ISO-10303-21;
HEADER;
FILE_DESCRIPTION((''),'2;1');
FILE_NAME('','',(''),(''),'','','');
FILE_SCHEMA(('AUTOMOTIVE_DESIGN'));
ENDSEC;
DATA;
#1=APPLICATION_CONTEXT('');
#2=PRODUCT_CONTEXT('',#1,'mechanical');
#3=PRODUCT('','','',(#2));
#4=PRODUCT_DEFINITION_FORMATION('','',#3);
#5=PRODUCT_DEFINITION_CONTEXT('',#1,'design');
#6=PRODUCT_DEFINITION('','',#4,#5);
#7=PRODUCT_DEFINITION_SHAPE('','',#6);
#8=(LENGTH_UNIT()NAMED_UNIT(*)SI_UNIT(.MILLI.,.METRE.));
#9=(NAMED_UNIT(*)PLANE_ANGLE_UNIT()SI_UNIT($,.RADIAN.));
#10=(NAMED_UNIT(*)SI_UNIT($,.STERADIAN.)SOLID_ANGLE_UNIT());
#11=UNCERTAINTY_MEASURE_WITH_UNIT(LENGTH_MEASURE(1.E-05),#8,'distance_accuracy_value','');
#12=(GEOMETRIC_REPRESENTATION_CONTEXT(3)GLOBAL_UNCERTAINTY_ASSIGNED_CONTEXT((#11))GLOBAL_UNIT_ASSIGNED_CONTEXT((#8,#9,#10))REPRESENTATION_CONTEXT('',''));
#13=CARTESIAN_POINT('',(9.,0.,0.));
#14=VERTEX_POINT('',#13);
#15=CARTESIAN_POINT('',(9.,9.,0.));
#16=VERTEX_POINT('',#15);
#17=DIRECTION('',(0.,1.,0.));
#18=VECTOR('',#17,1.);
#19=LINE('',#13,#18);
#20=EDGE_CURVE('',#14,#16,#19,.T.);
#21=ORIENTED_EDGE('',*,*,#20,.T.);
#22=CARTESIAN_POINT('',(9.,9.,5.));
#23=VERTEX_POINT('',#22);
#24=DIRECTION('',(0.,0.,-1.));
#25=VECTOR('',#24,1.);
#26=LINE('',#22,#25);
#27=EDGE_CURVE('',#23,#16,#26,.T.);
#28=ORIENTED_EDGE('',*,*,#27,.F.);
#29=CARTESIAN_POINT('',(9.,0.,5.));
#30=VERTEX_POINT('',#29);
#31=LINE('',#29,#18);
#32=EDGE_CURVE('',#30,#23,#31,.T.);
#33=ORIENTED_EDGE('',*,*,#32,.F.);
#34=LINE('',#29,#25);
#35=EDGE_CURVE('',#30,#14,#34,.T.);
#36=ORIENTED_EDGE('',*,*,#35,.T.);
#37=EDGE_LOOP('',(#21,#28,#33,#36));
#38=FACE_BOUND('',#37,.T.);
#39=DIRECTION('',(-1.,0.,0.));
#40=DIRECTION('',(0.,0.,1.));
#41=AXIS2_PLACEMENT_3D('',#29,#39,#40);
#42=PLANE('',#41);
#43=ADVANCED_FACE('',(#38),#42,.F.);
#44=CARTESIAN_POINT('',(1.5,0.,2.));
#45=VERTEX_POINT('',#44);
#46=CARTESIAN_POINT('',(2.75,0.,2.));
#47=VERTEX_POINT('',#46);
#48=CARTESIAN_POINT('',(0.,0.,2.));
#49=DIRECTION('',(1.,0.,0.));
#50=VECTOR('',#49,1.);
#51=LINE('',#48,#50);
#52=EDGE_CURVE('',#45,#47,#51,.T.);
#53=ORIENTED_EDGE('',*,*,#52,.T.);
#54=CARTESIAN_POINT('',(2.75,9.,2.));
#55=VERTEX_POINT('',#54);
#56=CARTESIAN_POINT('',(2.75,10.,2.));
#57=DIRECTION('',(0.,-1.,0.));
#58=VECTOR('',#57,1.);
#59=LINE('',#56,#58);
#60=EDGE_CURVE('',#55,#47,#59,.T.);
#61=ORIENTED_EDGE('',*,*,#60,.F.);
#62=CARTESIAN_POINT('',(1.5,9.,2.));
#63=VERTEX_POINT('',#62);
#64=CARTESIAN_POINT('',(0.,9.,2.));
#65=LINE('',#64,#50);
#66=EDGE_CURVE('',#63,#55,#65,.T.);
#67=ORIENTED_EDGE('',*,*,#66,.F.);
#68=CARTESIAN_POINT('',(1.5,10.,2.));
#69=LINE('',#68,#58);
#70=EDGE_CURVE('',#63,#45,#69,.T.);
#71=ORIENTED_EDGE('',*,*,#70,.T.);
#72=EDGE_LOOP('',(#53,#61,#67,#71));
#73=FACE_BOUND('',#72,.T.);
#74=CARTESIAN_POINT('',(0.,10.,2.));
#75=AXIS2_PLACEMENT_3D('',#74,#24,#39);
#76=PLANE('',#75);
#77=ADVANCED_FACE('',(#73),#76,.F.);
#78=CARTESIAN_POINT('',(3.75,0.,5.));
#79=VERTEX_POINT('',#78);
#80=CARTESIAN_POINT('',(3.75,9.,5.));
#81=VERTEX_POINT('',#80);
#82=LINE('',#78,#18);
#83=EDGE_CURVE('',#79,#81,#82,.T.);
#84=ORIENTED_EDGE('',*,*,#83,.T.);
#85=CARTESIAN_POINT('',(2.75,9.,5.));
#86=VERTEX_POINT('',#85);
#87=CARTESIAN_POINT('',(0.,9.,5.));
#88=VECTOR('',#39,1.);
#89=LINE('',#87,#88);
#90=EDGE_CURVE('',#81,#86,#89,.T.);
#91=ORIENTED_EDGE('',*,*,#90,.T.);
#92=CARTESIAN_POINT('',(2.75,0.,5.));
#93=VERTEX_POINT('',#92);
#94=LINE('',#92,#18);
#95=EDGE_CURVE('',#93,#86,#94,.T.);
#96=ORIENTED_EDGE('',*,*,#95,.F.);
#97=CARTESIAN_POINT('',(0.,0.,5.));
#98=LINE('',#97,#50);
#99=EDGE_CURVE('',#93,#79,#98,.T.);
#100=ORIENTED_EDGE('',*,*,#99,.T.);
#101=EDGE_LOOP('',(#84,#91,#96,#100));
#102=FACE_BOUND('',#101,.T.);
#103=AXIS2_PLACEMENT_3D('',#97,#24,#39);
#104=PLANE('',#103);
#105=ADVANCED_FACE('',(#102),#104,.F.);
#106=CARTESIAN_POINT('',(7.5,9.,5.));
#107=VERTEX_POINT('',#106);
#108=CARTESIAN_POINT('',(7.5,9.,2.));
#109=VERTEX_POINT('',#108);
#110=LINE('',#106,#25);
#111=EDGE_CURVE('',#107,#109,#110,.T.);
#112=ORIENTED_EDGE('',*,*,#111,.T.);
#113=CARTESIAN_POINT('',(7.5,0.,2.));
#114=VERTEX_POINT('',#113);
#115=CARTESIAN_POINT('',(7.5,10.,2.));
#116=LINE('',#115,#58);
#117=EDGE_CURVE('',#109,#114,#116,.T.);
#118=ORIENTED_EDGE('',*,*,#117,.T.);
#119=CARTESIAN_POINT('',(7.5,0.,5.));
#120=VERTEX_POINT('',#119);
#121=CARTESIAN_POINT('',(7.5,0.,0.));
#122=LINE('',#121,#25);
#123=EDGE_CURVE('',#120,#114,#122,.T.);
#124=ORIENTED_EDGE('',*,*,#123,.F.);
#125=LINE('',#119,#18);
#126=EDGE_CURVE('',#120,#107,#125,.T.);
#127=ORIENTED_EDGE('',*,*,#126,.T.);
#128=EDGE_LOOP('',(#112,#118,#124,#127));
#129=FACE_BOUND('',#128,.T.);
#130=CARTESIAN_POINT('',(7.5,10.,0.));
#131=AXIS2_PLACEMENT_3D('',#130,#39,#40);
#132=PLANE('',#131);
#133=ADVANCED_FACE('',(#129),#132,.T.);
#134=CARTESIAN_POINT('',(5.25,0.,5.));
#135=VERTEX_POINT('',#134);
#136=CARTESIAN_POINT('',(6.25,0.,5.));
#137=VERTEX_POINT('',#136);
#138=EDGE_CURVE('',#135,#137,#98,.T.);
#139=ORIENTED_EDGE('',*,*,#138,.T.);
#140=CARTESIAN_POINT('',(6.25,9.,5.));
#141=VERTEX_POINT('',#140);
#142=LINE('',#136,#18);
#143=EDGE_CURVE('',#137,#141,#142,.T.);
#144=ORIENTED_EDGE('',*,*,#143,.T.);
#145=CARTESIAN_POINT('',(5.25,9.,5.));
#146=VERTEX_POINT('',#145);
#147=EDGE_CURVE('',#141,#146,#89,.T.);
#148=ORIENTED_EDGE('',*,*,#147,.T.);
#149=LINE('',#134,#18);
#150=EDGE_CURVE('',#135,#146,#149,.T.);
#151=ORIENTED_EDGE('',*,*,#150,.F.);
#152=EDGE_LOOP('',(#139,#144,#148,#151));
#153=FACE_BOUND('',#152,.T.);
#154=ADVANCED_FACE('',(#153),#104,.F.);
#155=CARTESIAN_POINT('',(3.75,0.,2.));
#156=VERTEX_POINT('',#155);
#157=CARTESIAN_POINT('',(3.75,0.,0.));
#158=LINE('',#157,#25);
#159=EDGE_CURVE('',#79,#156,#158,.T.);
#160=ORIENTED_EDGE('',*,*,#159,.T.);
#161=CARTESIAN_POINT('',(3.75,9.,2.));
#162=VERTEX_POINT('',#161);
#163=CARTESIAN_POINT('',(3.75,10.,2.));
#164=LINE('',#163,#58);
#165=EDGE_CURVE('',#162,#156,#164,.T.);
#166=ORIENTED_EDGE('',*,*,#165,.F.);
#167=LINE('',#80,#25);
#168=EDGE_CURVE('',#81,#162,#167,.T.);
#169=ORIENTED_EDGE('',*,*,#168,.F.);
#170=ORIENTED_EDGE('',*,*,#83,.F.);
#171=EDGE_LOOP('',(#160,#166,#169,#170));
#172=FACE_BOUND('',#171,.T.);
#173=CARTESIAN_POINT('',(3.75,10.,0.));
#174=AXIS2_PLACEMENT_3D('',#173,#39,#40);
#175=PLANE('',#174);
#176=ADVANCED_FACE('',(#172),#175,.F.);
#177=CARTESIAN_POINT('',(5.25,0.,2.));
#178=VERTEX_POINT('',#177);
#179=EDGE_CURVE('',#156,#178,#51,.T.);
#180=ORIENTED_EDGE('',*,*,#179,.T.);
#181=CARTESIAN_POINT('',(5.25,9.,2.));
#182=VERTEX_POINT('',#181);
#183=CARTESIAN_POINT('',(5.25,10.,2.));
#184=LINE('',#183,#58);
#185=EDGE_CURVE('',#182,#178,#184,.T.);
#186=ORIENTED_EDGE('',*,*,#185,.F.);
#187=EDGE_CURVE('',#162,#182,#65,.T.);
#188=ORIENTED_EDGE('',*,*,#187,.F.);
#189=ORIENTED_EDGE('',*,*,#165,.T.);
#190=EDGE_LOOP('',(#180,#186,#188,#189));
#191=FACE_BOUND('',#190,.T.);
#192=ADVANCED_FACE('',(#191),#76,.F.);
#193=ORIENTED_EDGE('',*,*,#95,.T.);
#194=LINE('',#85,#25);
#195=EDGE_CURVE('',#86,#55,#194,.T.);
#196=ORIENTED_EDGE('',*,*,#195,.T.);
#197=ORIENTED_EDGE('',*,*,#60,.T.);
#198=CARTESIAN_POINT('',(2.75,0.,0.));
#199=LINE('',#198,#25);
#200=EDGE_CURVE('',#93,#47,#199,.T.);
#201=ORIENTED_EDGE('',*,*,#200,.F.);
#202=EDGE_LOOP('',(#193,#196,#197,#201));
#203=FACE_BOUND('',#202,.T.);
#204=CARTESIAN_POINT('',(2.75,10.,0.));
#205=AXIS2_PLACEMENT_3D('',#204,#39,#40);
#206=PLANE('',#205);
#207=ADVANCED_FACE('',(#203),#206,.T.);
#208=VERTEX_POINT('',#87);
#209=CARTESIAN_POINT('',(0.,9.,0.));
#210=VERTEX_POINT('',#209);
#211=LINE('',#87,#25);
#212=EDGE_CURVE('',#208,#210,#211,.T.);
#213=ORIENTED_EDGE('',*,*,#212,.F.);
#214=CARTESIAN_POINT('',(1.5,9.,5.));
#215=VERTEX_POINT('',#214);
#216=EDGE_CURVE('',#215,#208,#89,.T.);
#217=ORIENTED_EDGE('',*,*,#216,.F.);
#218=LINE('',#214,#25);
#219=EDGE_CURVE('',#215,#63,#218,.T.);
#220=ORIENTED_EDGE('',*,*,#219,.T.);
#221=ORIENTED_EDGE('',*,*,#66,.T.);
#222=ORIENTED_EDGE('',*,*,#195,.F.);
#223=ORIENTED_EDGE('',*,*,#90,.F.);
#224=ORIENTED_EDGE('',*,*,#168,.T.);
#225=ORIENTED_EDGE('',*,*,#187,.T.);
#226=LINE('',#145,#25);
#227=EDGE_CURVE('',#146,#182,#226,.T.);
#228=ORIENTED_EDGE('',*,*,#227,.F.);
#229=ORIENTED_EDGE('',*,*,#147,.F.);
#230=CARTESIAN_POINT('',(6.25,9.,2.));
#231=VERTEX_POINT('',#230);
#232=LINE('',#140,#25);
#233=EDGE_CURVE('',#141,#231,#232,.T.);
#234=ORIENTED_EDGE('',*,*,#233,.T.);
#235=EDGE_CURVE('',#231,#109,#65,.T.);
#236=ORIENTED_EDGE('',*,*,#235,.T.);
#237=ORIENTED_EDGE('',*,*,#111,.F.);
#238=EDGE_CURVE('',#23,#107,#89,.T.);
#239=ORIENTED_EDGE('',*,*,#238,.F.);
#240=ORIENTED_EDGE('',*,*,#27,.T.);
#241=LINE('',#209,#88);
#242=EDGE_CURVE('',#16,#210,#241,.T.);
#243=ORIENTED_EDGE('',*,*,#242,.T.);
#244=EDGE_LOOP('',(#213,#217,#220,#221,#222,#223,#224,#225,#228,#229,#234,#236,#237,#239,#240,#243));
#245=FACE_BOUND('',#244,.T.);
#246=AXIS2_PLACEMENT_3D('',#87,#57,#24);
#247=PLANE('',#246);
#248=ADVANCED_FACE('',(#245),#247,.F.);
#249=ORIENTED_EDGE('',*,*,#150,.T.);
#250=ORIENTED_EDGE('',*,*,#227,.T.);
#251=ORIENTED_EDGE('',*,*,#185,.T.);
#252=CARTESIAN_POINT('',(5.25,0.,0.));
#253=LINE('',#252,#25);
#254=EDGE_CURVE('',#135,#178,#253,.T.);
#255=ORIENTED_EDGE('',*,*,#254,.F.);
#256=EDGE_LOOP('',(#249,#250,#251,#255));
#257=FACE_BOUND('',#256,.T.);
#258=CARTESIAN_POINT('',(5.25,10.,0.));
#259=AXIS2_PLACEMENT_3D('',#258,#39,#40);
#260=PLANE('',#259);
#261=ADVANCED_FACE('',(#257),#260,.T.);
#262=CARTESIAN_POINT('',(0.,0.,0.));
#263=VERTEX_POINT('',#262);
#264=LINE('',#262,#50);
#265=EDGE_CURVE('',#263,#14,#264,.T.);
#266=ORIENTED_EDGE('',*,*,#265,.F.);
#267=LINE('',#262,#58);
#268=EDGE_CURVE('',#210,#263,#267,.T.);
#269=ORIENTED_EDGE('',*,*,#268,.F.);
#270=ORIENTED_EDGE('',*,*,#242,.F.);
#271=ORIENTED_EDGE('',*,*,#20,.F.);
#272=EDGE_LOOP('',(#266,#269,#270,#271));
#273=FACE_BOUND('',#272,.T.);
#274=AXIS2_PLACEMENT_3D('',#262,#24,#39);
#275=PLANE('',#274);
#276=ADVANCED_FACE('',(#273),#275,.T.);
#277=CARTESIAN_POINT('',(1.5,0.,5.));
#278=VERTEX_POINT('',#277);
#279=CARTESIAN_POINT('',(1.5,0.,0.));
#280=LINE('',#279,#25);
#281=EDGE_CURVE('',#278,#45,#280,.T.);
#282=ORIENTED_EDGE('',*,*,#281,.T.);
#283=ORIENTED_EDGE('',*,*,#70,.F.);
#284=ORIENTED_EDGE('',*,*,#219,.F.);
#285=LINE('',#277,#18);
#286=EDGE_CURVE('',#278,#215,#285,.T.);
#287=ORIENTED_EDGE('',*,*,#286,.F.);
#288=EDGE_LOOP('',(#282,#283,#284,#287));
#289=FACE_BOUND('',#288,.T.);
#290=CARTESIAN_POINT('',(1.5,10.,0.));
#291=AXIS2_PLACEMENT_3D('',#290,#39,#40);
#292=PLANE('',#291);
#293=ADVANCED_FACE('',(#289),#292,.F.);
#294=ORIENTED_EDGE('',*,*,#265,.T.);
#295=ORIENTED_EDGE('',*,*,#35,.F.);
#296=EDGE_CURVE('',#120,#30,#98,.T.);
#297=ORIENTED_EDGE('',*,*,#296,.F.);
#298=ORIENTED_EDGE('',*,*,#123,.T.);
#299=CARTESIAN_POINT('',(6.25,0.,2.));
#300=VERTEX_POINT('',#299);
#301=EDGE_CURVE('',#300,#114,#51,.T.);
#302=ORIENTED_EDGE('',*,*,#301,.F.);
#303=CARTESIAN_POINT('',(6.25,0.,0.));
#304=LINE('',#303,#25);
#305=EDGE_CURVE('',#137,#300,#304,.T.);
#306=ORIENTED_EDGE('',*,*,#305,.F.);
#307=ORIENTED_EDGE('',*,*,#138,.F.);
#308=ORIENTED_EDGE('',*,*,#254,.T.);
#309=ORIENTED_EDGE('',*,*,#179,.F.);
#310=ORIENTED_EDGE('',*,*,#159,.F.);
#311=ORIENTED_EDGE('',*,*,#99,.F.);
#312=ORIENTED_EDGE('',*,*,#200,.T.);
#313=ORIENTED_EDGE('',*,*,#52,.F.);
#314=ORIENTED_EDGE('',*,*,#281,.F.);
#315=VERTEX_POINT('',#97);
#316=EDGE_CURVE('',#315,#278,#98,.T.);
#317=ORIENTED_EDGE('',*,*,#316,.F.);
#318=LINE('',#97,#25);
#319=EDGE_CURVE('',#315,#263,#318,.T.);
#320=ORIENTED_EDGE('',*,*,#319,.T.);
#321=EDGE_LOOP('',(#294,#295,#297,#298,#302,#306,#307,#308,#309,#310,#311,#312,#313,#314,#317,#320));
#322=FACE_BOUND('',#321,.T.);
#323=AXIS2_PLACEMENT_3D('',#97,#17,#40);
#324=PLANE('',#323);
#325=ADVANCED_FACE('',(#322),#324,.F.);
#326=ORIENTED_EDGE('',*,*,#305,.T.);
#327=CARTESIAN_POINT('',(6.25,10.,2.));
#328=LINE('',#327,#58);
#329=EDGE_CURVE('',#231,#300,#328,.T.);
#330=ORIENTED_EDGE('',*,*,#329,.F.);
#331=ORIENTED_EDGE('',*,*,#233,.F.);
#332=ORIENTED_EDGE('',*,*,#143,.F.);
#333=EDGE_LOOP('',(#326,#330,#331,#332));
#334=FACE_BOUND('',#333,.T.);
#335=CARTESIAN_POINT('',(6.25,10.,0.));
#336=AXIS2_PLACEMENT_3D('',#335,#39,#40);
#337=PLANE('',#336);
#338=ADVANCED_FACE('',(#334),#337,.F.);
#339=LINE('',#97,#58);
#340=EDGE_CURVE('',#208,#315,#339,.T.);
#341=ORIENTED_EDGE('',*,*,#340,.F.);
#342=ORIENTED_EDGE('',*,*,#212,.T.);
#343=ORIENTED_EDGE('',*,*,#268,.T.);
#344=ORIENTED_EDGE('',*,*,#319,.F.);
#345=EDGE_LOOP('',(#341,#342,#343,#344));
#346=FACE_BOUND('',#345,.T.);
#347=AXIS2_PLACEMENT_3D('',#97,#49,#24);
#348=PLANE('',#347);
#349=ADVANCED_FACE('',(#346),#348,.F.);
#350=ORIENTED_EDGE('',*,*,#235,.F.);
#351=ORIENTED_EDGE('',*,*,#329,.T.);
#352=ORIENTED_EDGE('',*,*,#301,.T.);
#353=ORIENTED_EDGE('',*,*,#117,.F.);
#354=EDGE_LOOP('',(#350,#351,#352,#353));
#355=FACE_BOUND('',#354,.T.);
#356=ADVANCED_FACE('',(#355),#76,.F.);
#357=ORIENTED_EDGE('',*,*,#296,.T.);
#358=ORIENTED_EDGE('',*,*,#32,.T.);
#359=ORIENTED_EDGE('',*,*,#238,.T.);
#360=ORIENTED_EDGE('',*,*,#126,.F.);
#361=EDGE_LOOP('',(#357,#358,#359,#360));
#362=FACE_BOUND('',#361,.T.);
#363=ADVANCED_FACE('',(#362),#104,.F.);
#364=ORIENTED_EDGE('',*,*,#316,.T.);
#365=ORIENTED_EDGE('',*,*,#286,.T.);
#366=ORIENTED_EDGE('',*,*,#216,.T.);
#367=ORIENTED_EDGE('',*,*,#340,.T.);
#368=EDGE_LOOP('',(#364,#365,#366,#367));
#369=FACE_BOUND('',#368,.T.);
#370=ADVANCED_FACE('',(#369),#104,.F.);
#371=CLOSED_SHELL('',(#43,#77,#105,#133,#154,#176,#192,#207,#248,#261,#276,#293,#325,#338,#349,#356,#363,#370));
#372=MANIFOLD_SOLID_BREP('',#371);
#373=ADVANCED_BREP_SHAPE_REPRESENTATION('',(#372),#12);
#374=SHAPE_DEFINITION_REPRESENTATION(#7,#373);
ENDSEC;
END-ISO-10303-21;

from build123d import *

# Parameters (mm, degrees)
SKETCH_1_W          = 9
SKETCH_1_H          = 9
EXTRUDE_1_DEPTH     = 5
SKETCH_2_W          = 1.25
SKETCH_2_H          = 3
SKETCH_2_W_2        = 0.75
CUT_EXTRUDE_1_DEPTH = 10


with BuildPart() as part:
    # 草图1 → 凸台-拉伸1 (new body)
    with BuildSketch(Plane.XY):
        with Locations((4.5, 4.5)):
            Rectangle(SKETCH_1_W, SKETCH_1_H)
    extrude(amount=EXTRUDE_1_DEPTH)

    # 草图2 → 切除-拉伸1 (cut)
    with BuildSketch(Plane.XZ):
        with Locations((2.125, 3.5)):
            Rectangle(SKETCH_2_W, SKETCH_2_H)
        with Locations((4.125, 3.5)):
            Rectangle(SKETCH_2_W_2, SKETCH_2_H)
        with Locations((4.875, 3.5)):
            Rectangle(SKETCH_2_W_2, SKETCH_2_H)
        with Locations((6.875, 3.5)):
            Rectangle(SKETCH_2_W, SKETCH_2_H)
    extrude(amount=-CUT_EXTRUDE_1_DEPTH, mode=Mode.SUBTRACT)


solid = part.part
